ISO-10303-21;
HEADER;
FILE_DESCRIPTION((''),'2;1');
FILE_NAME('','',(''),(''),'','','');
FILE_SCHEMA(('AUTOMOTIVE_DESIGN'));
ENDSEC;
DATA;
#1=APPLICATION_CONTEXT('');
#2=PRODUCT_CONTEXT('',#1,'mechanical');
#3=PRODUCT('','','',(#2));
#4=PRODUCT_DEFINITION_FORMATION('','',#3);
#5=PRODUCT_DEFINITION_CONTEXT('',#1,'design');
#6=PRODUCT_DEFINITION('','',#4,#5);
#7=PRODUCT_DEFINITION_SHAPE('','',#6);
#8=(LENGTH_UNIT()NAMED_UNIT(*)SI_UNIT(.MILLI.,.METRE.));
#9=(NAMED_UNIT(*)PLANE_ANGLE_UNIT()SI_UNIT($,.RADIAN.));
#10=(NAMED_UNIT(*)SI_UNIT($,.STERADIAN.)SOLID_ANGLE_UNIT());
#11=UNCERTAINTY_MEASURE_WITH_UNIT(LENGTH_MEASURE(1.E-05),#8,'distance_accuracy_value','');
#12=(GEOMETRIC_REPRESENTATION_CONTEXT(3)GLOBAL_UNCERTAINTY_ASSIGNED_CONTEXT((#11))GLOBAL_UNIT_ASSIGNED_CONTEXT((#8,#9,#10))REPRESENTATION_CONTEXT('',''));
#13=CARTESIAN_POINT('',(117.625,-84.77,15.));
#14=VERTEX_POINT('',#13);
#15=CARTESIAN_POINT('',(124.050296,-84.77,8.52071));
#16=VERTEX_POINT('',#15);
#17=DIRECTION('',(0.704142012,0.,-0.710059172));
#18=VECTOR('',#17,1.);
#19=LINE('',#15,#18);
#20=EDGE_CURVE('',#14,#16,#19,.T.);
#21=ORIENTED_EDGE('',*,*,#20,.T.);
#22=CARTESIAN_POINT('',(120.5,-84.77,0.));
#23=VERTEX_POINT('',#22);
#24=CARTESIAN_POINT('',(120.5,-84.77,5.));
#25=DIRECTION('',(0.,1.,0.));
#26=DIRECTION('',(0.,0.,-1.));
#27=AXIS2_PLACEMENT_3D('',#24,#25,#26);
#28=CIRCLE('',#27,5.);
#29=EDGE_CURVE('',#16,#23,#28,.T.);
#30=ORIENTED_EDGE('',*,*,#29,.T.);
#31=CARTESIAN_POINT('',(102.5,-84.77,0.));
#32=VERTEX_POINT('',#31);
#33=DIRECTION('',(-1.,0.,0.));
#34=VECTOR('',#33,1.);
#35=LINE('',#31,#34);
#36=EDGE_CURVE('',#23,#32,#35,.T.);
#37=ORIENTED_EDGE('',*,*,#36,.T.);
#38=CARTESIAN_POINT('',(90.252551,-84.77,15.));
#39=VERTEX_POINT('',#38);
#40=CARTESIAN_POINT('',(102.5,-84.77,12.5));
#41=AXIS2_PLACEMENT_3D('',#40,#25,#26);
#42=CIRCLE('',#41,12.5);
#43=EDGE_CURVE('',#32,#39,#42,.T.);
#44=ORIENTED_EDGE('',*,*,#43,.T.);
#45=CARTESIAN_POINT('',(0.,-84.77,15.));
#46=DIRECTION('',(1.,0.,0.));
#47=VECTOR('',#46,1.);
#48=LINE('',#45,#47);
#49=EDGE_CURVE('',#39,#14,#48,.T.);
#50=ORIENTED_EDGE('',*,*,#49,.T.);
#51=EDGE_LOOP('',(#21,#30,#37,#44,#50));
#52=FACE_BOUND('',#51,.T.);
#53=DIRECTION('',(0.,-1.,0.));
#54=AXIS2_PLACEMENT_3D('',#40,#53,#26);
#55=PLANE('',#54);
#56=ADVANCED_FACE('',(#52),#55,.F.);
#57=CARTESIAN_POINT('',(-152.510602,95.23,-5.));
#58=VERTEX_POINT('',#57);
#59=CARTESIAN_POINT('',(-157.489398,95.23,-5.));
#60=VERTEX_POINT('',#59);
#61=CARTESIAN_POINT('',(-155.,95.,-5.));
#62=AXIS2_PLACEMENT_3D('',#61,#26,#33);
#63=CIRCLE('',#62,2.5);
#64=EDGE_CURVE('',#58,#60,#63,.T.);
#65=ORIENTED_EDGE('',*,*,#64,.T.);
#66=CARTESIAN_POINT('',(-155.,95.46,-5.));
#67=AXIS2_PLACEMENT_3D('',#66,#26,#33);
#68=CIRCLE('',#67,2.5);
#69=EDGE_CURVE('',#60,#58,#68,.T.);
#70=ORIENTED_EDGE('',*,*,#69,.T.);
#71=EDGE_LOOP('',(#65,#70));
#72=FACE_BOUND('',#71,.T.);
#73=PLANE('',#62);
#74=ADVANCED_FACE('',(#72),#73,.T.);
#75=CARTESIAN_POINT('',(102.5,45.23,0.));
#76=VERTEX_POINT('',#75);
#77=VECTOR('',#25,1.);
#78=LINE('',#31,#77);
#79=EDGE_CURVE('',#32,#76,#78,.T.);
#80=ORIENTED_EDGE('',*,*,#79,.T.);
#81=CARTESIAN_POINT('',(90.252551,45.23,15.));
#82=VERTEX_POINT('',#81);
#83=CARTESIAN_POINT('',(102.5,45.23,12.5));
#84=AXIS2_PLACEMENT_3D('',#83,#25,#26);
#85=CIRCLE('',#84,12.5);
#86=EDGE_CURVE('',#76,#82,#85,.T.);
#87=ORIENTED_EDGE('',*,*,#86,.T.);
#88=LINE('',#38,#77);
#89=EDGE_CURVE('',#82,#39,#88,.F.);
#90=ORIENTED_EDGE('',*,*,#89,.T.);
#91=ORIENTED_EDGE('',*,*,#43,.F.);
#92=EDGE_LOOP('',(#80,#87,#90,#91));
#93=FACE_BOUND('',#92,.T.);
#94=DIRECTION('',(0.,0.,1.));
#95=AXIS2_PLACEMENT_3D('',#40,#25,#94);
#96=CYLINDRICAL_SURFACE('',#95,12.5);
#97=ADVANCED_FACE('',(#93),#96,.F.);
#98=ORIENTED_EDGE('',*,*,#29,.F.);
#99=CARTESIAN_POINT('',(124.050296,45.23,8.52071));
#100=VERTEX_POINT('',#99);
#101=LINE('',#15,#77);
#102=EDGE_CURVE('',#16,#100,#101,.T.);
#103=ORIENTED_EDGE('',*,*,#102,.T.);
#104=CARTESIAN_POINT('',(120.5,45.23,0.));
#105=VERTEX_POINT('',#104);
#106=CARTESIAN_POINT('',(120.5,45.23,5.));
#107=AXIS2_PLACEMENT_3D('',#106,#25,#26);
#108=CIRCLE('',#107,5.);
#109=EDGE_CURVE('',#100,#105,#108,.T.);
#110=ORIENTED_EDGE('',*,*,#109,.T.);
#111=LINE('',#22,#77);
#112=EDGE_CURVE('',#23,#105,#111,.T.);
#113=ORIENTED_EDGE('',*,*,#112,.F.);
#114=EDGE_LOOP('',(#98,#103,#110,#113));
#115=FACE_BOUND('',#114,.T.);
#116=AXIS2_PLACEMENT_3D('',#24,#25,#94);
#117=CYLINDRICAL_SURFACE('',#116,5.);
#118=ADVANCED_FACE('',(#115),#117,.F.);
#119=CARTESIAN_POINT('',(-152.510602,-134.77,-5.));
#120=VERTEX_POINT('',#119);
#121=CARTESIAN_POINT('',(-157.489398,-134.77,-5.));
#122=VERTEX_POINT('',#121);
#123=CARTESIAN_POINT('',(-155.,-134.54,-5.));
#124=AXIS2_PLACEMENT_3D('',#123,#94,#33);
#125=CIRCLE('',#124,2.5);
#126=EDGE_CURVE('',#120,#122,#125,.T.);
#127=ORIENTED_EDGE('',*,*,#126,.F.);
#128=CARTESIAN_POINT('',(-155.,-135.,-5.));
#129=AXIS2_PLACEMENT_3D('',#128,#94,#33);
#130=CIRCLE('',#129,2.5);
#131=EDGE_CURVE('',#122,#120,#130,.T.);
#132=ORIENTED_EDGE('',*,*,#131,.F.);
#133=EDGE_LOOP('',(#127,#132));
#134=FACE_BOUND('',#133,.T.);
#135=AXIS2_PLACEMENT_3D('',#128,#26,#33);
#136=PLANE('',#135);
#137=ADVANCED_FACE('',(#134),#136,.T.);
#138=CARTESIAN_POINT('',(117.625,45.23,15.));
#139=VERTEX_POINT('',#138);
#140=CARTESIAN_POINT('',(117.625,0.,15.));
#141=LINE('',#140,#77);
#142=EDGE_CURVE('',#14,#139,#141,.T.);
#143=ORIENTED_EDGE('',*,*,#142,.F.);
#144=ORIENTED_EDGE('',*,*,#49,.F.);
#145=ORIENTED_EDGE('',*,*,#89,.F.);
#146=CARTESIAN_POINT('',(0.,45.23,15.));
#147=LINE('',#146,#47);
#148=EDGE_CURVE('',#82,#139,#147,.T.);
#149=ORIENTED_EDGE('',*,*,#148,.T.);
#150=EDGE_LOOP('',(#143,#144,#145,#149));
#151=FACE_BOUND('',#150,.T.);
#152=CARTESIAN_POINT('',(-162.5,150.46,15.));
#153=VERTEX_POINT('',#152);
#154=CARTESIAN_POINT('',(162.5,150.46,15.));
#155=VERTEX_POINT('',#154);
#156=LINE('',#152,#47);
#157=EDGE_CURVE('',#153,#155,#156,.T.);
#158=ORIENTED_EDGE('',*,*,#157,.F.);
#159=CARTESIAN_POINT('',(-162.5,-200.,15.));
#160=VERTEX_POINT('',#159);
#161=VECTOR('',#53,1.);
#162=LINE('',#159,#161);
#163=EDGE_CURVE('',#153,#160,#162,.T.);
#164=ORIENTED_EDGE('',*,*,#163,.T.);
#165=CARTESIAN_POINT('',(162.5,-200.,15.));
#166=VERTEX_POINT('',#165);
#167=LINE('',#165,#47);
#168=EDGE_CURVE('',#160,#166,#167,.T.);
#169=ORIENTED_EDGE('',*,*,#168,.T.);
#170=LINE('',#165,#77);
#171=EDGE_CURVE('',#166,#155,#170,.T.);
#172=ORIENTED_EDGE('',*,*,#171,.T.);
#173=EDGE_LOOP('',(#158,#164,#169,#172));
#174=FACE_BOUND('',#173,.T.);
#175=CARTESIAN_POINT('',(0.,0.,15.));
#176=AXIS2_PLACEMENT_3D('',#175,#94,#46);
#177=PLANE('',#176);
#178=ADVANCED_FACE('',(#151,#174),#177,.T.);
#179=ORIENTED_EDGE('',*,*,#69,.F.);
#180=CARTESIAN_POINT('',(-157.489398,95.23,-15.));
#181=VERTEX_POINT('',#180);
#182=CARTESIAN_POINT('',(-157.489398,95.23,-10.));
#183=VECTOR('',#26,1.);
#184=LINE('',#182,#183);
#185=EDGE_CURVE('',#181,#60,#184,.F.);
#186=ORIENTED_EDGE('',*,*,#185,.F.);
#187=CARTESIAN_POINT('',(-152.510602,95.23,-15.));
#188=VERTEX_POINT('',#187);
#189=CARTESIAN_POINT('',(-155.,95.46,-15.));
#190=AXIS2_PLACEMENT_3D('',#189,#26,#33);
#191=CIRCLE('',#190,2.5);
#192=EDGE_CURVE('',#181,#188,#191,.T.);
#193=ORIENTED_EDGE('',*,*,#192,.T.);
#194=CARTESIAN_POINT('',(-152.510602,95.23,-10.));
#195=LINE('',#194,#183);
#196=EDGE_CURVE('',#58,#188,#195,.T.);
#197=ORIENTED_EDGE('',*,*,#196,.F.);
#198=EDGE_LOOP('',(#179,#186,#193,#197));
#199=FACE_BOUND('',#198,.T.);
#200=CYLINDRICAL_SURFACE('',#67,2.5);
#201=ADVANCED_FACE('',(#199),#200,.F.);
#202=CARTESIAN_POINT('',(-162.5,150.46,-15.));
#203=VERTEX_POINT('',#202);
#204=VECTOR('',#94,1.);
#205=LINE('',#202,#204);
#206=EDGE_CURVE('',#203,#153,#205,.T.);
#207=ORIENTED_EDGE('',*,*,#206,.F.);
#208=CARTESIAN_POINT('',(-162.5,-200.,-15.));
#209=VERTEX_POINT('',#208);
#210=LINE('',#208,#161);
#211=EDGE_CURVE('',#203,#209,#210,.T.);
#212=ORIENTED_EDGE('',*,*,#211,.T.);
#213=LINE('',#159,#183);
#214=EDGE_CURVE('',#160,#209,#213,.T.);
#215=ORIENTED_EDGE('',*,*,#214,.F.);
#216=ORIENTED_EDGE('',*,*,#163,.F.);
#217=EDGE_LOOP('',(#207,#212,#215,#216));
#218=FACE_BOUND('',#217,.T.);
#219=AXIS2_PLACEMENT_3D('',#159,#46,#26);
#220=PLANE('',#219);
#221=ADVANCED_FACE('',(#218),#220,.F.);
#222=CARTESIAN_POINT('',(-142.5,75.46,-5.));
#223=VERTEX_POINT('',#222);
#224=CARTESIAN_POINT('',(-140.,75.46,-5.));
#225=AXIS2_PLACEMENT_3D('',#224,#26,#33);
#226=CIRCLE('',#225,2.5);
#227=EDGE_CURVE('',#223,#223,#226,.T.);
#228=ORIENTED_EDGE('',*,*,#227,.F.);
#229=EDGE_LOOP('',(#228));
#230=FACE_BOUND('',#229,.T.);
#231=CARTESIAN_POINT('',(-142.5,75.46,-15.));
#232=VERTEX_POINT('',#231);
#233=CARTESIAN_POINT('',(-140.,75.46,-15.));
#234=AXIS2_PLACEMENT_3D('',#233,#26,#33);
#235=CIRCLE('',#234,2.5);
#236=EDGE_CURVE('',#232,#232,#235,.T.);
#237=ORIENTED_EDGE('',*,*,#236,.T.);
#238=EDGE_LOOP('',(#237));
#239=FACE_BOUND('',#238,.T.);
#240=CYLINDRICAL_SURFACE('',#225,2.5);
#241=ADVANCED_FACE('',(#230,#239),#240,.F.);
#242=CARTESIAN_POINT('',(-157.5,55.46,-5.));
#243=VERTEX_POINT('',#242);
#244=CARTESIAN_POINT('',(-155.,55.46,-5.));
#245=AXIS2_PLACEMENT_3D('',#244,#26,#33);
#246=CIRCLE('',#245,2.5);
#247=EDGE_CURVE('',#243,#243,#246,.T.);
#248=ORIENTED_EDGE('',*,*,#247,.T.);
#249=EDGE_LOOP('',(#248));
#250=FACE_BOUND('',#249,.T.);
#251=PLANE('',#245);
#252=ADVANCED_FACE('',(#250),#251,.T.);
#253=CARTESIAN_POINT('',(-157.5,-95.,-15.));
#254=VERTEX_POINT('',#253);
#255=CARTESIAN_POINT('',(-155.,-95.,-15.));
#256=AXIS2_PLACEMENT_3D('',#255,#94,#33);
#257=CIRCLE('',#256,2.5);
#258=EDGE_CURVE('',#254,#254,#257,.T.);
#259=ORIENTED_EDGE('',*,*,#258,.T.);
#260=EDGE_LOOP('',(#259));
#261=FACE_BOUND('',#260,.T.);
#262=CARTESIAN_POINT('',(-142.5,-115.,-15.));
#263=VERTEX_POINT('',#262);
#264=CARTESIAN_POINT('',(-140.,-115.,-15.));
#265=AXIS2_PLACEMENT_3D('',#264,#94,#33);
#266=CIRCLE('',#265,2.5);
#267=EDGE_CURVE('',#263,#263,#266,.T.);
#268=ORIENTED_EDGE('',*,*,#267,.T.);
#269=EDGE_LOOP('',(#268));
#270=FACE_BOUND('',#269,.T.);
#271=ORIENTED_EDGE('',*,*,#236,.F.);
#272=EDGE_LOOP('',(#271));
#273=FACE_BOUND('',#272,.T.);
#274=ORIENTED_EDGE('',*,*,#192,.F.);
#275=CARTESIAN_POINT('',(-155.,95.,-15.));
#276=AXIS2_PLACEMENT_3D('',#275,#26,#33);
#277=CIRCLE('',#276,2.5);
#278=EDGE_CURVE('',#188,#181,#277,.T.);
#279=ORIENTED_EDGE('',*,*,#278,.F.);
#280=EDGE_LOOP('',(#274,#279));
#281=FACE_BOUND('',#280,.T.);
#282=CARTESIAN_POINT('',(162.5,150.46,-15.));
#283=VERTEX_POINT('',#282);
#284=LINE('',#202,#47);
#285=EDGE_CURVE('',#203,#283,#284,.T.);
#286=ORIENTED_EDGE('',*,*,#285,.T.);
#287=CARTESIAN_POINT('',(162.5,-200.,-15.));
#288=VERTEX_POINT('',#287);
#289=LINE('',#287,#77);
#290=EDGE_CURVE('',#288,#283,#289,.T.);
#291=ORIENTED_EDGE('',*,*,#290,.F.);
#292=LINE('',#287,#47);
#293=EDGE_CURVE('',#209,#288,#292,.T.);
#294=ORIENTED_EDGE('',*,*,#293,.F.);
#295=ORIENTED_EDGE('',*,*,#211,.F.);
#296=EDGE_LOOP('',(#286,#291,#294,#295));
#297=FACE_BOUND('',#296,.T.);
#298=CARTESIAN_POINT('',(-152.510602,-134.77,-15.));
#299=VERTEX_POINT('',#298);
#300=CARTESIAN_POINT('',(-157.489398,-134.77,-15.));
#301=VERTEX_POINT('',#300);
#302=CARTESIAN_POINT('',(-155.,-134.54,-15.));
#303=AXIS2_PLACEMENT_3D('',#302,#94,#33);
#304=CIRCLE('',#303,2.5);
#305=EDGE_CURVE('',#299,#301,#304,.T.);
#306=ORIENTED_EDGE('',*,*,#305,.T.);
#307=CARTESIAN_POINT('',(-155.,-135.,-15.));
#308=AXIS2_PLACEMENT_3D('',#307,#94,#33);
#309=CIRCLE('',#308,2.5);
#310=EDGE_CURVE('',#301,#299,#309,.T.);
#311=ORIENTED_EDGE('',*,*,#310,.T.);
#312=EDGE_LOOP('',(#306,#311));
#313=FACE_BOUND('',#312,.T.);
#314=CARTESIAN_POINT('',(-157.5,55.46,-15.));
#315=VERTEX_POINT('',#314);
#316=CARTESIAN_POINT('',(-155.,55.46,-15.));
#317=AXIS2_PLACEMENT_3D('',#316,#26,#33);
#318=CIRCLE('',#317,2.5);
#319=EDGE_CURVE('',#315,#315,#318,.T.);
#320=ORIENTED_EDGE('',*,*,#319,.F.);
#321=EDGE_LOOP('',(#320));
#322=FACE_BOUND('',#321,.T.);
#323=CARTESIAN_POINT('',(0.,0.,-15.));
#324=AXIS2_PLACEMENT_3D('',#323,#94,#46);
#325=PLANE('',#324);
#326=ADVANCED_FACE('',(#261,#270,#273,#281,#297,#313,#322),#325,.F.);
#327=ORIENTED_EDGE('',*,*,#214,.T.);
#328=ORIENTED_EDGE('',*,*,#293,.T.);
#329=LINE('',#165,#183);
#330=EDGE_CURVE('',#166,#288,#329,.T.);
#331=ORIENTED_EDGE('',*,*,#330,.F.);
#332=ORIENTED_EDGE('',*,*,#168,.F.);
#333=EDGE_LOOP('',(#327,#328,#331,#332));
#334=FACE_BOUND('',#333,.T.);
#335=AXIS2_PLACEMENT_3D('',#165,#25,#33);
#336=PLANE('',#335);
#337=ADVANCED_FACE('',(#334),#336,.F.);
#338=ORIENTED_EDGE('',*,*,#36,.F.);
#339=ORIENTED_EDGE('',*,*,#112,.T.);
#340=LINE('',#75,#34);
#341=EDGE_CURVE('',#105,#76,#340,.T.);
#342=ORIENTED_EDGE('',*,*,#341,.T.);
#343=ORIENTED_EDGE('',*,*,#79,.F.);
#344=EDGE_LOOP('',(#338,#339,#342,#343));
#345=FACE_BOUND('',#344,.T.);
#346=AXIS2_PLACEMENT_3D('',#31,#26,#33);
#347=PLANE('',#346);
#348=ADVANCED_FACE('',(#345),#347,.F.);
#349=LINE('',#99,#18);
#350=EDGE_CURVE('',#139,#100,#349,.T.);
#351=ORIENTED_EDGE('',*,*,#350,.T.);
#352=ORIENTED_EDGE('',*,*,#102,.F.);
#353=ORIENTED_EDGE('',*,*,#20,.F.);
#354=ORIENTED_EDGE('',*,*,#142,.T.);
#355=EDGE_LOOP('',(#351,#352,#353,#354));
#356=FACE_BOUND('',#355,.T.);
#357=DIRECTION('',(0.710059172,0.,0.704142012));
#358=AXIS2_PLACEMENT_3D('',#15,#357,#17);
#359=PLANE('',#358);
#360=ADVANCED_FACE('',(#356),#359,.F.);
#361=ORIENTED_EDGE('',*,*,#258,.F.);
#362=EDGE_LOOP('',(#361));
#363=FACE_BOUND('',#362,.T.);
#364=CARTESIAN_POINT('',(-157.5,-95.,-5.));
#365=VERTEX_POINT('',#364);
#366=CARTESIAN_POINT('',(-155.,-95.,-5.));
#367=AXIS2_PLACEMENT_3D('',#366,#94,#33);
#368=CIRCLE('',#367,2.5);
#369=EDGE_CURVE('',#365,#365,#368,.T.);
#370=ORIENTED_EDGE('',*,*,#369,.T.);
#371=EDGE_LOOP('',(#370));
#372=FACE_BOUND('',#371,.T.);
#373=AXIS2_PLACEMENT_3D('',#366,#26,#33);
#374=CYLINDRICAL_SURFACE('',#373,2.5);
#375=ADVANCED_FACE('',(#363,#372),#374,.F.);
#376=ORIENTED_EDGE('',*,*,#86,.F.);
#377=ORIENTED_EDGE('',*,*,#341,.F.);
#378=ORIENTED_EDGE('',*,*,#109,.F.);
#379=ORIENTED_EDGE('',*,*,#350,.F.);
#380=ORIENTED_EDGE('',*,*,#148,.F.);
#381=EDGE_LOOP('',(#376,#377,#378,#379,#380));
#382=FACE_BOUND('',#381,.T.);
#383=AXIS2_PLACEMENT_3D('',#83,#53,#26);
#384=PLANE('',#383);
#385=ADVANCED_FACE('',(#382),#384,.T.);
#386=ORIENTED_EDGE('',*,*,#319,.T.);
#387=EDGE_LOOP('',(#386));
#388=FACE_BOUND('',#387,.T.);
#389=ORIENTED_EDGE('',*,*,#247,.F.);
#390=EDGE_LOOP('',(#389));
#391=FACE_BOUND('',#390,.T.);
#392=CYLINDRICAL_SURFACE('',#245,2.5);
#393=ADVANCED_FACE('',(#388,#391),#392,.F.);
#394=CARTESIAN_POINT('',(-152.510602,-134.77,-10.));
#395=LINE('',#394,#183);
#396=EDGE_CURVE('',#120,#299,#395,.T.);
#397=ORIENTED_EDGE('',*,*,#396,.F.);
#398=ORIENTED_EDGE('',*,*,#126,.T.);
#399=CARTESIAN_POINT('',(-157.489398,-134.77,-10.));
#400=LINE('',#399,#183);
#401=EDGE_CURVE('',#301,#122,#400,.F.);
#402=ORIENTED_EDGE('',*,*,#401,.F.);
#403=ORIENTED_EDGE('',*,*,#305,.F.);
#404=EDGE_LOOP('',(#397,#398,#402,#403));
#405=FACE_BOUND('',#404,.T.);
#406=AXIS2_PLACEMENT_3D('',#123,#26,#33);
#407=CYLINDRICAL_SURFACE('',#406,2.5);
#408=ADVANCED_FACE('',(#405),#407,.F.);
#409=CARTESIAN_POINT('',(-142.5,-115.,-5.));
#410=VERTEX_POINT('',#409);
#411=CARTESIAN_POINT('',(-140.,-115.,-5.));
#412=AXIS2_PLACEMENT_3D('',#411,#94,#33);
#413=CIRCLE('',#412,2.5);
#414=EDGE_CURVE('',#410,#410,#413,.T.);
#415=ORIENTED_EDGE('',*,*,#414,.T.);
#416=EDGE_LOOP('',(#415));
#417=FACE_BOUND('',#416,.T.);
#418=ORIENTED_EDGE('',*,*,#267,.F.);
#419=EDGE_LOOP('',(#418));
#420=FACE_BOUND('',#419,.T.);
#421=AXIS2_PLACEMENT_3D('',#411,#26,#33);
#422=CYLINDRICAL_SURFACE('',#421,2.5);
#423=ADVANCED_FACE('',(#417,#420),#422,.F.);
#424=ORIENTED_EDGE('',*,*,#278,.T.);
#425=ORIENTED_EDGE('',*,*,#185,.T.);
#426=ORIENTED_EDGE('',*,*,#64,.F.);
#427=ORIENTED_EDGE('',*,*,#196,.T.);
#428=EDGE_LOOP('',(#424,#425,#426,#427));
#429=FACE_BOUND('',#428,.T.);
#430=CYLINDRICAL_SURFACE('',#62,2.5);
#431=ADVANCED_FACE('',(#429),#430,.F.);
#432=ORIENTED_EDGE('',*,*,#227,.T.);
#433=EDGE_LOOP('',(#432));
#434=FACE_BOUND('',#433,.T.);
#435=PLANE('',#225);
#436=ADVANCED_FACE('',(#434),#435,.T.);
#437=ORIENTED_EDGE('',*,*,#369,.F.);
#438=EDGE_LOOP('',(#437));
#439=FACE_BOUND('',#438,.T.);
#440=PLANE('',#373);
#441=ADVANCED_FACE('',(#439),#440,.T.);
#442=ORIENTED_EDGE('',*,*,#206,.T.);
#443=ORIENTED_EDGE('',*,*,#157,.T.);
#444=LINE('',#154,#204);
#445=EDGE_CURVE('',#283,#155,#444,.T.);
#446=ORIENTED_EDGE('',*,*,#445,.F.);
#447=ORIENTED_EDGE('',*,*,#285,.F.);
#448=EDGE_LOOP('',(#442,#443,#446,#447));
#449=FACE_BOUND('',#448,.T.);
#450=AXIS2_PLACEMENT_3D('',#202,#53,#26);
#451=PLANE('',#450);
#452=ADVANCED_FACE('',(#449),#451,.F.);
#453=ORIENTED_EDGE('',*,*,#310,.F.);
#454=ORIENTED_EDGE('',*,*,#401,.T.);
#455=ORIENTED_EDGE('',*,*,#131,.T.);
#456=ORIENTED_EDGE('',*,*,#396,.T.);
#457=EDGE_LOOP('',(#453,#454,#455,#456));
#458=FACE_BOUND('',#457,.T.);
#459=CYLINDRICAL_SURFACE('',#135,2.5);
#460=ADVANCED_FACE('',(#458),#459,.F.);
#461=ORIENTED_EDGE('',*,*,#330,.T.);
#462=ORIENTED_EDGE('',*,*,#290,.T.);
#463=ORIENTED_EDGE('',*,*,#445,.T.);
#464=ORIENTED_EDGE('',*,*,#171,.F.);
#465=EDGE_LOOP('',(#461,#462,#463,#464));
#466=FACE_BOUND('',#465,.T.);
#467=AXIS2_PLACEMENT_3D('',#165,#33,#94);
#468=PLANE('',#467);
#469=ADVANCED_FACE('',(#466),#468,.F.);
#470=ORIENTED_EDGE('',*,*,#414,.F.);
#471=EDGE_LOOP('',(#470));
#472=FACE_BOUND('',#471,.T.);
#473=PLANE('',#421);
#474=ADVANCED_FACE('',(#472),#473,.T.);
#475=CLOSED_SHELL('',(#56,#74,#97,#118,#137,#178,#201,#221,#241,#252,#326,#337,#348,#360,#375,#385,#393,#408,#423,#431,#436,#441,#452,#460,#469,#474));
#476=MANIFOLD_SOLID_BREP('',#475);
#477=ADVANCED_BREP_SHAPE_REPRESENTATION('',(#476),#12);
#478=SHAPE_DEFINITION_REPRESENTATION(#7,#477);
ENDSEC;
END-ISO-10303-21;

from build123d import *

# Parameters (mm, degrees)
SKETCH1_W               = 325
SKETCH1_H               = 400
BOSS_EXTRUDE1_DEPTH     = 15
SKETCH2_R               = 2.5
CUT_EXTRUDE1_DEPTH      = 10
SKETCH4_W               = 328.47257144
SKETCH4_H               = 49.54
CUT_EXTRUDE3_DEPTH      = 260.434481132
CUT_EXTRUDE4_DEPTH      = 65
MIRROR2_COPY_1_SKETCH_R = 2.5
MIRROR2_COPY_1_DEPTH    = 10
BOSS_EXTRUDE4_REACH     = 261.434
SKETCH6_R               = 2.5


with BuildPart() as part:
    # Sketch1 → Boss-Extrude1 (new, symmetric)
    with BuildSketch(Plane.XY):
        Rectangle(SKETCH1_W, SKETCH1_H)
    extrude(amount=BOSS_EXTRUDE1_DEPTH, both=True)

    # Sketch2 → Cut-Extrude1 (cut)
    with BuildSketch(Plane(origin=(0, 0, -15), x_dir=(-1, 0, 0), z_dir=(0, 0, -1))):
        with Locations((155, 135)):
            Circle(SKETCH2_R)
        with Locations((140, 115)):
            Circle(SKETCH2_R)
        with Locations((155, 95)):
            Circle(SKETCH2_R)
    cut_extrude1 = extrude(amount=-CUT_EXTRUDE1_DEPTH, mode=Mode.SUBTRACT)

    # Mirror1: Cut-Extrude1 across plane
    add(cut_extrude1.mirror(Plane.ZX), mode=Mode.SUBTRACT)

    # Sketch4 → Cut-Extrude3 (cut, through all)
    with BuildSketch(Plane.XY.offset(15)):
        with Locations((1.73628572, 175.23)):
            Rectangle(SKETCH4_W, SKETCH4_H)
    extrude(amount=-CUT_EXTRUDE3_DEPTH, mode=Mode.SUBTRACT)

    # Sketch5 → Cut-Extrude4 (cut, symmetric)
    with BuildSketch(Plane(origin=(0, -19.77, 0), x_dir=(1, 0, 0), z_dir=(0, 1, 0))):
        with BuildLine():
            Line((102.5, 0), (120.5, 0))
            ThreePointArc((120.5, 0), (125.115384615, -3.076923077), (124.050295858, -8.520710059))
            Line((124.050295858, -8.520710059), (111.375739645, -21.301775148))
            ThreePointArc((111.375739645, -21.301775148), (90.961538462, -17.307692308), (102.5, 0))
        make_face()
    extrude(amount=CUT_EXTRUDE4_DEPTH, both=True, mode=Mode.SUBTRACT)

    # Mirror2: Cut-Extrude1 across plane
    add(cut_extrude1.mirror(Plane.ZX.offset(-19.77)), mode=Mode.SUBTRACT)

    # Mirror2 copy 1 sketch → Mirror2 copy 1 (cut)
    with BuildSketch(Plane(origin=(0, -39.54, -15), x_dir=(-1, 0, 0), z_dir=(0, 0, -1))):
        with Locations((155, 135)):
            Circle(MIRROR2_COPY_1_SKETCH_R)
        with Locations((140, 115)):
            Circle(MIRROR2_COPY_1_SKETCH_R)
        with Locations((155, 95)):
            Circle(MIRROR2_COPY_1_SKETCH_R)
    extrude(amount=-MIRROR2_COPY_1_DEPTH, mode=Mode.SUBTRACT)

    # Sketch6 → Boss-Extrude4 (add, up to next)
    with BuildSketch(Plane(origin=(0, 0, -15), x_dir=(-1, 0, 0), z_dir=(0, 0, -1)), mode=Mode.PRIVATE) as boss_extrude4_sk1:
        with Locations((140, 115)):
            Circle(SKETCH6_R)
    boss_extrude4_tool1 = extrude(boss_extrude4_sk1.sketch, amount=-BOSS_EXTRUDE4_REACH, mode=Mode.PRIVATE) - part.part
    # Sketch6 → Boss-Extrude4 (add, up to next)
    with BuildSketch(Plane(origin=(0, 0, -15), x_dir=(-1, 0, 0), z_dir=(0, 0, -1)), mode=Mode.PRIVATE) as boss_extrude4_sk2:
        with Locations((155, 135)):
            Circle(SKETCH6_R)
    boss_extrude4_tool2 = extrude(boss_extrude4_sk2.sketch, amount=-BOSS_EXTRUDE4_REACH, mode=Mode.PRIVATE) - part.part
    # Sketch6 → Boss-Extrude4 (add, up to next)
    with BuildSketch(Plane(origin=(0, 0, -15), x_dir=(-1, 0, 0), z_dir=(0, 0, -1)), mode=Mode.PRIVATE) as boss_extrude4_sk3:
        with Locations((140, -154.54)):
            Circle(SKETCH6_R)
    boss_extrude4_tool3 = extrude(boss_extrude4_sk3.sketch, amount=-BOSS_EXTRUDE4_REACH, mode=Mode.PRIVATE) - part.part
    # Sketch6 → Boss-Extrude4 (add, up to next)
    with BuildSketch(Plane(origin=(0, 0, -15), x_dir=(-1, 0, 0), z_dir=(0, 0, -1)), mode=Mode.PRIVATE) as boss_extrude4_sk4:
        with Locations((155, -174.54)):
            Circle(SKETCH6_R)
    boss_extrude4_tool4 = extrude(boss_extrude4_sk4.sketch, amount=-BOSS_EXTRUDE4_REACH, mode=Mode.PRIVATE) - part.part
    add(boss_extrude4_tool1.solids().sort_by_distance((-140, 115, -15))[0])
    add(boss_extrude4_tool2.solids().sort_by_distance((-155, 135, -15))[0])
    add(boss_extrude4_tool3.solids().sort_by_distance((-140, -154.54, -15))[0])
    add(boss_extrude4_tool4.solids().sort_by_distance((-155, -174.54, -15))[0])


solid = part.part
